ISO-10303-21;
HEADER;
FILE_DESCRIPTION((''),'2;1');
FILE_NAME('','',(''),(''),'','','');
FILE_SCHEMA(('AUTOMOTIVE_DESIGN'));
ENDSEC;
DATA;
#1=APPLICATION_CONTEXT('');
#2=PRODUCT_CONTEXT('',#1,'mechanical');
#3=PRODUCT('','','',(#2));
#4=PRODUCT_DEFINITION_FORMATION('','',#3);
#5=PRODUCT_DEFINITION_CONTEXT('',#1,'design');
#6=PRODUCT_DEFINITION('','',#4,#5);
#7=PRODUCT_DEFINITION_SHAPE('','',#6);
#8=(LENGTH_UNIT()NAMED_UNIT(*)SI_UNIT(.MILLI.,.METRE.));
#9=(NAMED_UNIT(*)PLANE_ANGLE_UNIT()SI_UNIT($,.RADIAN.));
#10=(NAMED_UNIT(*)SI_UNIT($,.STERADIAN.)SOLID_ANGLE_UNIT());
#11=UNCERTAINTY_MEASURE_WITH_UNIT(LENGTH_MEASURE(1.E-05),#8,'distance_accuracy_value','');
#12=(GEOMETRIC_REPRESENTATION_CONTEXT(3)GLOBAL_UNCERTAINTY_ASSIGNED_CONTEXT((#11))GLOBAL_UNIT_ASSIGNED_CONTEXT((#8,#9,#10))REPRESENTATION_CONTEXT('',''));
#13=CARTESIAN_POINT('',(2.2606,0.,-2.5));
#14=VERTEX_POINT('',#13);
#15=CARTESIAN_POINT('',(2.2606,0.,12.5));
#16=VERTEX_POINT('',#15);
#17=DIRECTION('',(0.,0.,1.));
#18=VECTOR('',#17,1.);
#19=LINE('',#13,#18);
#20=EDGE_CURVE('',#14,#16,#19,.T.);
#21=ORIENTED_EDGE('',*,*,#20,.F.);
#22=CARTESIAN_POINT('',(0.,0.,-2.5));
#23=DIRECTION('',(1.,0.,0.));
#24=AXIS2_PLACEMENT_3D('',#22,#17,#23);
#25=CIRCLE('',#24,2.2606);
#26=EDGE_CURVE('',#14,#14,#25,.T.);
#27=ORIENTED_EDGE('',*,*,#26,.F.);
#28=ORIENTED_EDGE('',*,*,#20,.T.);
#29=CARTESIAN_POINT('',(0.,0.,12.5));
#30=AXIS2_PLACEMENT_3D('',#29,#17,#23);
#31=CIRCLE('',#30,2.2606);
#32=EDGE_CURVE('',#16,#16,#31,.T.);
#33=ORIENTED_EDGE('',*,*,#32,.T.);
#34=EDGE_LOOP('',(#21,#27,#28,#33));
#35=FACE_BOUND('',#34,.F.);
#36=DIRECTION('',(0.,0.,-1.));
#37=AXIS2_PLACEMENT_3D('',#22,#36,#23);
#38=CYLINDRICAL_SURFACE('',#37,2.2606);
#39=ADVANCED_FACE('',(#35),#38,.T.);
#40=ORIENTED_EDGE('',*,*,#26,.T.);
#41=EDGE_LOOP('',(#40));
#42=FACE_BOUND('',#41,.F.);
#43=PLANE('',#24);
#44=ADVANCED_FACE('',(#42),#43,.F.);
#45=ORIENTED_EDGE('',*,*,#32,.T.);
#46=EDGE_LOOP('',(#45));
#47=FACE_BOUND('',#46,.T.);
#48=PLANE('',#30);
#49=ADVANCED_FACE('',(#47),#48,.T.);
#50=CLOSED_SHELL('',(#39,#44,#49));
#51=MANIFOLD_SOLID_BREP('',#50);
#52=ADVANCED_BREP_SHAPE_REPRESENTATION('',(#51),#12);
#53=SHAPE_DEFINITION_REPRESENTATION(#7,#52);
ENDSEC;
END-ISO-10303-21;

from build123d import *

# Parameters (mm, degrees)
CYLINDER_R     = 2.2606
CYLINDER_DEPTH = 15


with BuildPart() as part:
    # Cylinder → Cylinder (new body)
    with BuildSketch(Plane.XY.offset(-2.5)):
        Circle(CYLINDER_R)
    extrude(amount=CYLINDER_DEPTH)


solid = part.part
